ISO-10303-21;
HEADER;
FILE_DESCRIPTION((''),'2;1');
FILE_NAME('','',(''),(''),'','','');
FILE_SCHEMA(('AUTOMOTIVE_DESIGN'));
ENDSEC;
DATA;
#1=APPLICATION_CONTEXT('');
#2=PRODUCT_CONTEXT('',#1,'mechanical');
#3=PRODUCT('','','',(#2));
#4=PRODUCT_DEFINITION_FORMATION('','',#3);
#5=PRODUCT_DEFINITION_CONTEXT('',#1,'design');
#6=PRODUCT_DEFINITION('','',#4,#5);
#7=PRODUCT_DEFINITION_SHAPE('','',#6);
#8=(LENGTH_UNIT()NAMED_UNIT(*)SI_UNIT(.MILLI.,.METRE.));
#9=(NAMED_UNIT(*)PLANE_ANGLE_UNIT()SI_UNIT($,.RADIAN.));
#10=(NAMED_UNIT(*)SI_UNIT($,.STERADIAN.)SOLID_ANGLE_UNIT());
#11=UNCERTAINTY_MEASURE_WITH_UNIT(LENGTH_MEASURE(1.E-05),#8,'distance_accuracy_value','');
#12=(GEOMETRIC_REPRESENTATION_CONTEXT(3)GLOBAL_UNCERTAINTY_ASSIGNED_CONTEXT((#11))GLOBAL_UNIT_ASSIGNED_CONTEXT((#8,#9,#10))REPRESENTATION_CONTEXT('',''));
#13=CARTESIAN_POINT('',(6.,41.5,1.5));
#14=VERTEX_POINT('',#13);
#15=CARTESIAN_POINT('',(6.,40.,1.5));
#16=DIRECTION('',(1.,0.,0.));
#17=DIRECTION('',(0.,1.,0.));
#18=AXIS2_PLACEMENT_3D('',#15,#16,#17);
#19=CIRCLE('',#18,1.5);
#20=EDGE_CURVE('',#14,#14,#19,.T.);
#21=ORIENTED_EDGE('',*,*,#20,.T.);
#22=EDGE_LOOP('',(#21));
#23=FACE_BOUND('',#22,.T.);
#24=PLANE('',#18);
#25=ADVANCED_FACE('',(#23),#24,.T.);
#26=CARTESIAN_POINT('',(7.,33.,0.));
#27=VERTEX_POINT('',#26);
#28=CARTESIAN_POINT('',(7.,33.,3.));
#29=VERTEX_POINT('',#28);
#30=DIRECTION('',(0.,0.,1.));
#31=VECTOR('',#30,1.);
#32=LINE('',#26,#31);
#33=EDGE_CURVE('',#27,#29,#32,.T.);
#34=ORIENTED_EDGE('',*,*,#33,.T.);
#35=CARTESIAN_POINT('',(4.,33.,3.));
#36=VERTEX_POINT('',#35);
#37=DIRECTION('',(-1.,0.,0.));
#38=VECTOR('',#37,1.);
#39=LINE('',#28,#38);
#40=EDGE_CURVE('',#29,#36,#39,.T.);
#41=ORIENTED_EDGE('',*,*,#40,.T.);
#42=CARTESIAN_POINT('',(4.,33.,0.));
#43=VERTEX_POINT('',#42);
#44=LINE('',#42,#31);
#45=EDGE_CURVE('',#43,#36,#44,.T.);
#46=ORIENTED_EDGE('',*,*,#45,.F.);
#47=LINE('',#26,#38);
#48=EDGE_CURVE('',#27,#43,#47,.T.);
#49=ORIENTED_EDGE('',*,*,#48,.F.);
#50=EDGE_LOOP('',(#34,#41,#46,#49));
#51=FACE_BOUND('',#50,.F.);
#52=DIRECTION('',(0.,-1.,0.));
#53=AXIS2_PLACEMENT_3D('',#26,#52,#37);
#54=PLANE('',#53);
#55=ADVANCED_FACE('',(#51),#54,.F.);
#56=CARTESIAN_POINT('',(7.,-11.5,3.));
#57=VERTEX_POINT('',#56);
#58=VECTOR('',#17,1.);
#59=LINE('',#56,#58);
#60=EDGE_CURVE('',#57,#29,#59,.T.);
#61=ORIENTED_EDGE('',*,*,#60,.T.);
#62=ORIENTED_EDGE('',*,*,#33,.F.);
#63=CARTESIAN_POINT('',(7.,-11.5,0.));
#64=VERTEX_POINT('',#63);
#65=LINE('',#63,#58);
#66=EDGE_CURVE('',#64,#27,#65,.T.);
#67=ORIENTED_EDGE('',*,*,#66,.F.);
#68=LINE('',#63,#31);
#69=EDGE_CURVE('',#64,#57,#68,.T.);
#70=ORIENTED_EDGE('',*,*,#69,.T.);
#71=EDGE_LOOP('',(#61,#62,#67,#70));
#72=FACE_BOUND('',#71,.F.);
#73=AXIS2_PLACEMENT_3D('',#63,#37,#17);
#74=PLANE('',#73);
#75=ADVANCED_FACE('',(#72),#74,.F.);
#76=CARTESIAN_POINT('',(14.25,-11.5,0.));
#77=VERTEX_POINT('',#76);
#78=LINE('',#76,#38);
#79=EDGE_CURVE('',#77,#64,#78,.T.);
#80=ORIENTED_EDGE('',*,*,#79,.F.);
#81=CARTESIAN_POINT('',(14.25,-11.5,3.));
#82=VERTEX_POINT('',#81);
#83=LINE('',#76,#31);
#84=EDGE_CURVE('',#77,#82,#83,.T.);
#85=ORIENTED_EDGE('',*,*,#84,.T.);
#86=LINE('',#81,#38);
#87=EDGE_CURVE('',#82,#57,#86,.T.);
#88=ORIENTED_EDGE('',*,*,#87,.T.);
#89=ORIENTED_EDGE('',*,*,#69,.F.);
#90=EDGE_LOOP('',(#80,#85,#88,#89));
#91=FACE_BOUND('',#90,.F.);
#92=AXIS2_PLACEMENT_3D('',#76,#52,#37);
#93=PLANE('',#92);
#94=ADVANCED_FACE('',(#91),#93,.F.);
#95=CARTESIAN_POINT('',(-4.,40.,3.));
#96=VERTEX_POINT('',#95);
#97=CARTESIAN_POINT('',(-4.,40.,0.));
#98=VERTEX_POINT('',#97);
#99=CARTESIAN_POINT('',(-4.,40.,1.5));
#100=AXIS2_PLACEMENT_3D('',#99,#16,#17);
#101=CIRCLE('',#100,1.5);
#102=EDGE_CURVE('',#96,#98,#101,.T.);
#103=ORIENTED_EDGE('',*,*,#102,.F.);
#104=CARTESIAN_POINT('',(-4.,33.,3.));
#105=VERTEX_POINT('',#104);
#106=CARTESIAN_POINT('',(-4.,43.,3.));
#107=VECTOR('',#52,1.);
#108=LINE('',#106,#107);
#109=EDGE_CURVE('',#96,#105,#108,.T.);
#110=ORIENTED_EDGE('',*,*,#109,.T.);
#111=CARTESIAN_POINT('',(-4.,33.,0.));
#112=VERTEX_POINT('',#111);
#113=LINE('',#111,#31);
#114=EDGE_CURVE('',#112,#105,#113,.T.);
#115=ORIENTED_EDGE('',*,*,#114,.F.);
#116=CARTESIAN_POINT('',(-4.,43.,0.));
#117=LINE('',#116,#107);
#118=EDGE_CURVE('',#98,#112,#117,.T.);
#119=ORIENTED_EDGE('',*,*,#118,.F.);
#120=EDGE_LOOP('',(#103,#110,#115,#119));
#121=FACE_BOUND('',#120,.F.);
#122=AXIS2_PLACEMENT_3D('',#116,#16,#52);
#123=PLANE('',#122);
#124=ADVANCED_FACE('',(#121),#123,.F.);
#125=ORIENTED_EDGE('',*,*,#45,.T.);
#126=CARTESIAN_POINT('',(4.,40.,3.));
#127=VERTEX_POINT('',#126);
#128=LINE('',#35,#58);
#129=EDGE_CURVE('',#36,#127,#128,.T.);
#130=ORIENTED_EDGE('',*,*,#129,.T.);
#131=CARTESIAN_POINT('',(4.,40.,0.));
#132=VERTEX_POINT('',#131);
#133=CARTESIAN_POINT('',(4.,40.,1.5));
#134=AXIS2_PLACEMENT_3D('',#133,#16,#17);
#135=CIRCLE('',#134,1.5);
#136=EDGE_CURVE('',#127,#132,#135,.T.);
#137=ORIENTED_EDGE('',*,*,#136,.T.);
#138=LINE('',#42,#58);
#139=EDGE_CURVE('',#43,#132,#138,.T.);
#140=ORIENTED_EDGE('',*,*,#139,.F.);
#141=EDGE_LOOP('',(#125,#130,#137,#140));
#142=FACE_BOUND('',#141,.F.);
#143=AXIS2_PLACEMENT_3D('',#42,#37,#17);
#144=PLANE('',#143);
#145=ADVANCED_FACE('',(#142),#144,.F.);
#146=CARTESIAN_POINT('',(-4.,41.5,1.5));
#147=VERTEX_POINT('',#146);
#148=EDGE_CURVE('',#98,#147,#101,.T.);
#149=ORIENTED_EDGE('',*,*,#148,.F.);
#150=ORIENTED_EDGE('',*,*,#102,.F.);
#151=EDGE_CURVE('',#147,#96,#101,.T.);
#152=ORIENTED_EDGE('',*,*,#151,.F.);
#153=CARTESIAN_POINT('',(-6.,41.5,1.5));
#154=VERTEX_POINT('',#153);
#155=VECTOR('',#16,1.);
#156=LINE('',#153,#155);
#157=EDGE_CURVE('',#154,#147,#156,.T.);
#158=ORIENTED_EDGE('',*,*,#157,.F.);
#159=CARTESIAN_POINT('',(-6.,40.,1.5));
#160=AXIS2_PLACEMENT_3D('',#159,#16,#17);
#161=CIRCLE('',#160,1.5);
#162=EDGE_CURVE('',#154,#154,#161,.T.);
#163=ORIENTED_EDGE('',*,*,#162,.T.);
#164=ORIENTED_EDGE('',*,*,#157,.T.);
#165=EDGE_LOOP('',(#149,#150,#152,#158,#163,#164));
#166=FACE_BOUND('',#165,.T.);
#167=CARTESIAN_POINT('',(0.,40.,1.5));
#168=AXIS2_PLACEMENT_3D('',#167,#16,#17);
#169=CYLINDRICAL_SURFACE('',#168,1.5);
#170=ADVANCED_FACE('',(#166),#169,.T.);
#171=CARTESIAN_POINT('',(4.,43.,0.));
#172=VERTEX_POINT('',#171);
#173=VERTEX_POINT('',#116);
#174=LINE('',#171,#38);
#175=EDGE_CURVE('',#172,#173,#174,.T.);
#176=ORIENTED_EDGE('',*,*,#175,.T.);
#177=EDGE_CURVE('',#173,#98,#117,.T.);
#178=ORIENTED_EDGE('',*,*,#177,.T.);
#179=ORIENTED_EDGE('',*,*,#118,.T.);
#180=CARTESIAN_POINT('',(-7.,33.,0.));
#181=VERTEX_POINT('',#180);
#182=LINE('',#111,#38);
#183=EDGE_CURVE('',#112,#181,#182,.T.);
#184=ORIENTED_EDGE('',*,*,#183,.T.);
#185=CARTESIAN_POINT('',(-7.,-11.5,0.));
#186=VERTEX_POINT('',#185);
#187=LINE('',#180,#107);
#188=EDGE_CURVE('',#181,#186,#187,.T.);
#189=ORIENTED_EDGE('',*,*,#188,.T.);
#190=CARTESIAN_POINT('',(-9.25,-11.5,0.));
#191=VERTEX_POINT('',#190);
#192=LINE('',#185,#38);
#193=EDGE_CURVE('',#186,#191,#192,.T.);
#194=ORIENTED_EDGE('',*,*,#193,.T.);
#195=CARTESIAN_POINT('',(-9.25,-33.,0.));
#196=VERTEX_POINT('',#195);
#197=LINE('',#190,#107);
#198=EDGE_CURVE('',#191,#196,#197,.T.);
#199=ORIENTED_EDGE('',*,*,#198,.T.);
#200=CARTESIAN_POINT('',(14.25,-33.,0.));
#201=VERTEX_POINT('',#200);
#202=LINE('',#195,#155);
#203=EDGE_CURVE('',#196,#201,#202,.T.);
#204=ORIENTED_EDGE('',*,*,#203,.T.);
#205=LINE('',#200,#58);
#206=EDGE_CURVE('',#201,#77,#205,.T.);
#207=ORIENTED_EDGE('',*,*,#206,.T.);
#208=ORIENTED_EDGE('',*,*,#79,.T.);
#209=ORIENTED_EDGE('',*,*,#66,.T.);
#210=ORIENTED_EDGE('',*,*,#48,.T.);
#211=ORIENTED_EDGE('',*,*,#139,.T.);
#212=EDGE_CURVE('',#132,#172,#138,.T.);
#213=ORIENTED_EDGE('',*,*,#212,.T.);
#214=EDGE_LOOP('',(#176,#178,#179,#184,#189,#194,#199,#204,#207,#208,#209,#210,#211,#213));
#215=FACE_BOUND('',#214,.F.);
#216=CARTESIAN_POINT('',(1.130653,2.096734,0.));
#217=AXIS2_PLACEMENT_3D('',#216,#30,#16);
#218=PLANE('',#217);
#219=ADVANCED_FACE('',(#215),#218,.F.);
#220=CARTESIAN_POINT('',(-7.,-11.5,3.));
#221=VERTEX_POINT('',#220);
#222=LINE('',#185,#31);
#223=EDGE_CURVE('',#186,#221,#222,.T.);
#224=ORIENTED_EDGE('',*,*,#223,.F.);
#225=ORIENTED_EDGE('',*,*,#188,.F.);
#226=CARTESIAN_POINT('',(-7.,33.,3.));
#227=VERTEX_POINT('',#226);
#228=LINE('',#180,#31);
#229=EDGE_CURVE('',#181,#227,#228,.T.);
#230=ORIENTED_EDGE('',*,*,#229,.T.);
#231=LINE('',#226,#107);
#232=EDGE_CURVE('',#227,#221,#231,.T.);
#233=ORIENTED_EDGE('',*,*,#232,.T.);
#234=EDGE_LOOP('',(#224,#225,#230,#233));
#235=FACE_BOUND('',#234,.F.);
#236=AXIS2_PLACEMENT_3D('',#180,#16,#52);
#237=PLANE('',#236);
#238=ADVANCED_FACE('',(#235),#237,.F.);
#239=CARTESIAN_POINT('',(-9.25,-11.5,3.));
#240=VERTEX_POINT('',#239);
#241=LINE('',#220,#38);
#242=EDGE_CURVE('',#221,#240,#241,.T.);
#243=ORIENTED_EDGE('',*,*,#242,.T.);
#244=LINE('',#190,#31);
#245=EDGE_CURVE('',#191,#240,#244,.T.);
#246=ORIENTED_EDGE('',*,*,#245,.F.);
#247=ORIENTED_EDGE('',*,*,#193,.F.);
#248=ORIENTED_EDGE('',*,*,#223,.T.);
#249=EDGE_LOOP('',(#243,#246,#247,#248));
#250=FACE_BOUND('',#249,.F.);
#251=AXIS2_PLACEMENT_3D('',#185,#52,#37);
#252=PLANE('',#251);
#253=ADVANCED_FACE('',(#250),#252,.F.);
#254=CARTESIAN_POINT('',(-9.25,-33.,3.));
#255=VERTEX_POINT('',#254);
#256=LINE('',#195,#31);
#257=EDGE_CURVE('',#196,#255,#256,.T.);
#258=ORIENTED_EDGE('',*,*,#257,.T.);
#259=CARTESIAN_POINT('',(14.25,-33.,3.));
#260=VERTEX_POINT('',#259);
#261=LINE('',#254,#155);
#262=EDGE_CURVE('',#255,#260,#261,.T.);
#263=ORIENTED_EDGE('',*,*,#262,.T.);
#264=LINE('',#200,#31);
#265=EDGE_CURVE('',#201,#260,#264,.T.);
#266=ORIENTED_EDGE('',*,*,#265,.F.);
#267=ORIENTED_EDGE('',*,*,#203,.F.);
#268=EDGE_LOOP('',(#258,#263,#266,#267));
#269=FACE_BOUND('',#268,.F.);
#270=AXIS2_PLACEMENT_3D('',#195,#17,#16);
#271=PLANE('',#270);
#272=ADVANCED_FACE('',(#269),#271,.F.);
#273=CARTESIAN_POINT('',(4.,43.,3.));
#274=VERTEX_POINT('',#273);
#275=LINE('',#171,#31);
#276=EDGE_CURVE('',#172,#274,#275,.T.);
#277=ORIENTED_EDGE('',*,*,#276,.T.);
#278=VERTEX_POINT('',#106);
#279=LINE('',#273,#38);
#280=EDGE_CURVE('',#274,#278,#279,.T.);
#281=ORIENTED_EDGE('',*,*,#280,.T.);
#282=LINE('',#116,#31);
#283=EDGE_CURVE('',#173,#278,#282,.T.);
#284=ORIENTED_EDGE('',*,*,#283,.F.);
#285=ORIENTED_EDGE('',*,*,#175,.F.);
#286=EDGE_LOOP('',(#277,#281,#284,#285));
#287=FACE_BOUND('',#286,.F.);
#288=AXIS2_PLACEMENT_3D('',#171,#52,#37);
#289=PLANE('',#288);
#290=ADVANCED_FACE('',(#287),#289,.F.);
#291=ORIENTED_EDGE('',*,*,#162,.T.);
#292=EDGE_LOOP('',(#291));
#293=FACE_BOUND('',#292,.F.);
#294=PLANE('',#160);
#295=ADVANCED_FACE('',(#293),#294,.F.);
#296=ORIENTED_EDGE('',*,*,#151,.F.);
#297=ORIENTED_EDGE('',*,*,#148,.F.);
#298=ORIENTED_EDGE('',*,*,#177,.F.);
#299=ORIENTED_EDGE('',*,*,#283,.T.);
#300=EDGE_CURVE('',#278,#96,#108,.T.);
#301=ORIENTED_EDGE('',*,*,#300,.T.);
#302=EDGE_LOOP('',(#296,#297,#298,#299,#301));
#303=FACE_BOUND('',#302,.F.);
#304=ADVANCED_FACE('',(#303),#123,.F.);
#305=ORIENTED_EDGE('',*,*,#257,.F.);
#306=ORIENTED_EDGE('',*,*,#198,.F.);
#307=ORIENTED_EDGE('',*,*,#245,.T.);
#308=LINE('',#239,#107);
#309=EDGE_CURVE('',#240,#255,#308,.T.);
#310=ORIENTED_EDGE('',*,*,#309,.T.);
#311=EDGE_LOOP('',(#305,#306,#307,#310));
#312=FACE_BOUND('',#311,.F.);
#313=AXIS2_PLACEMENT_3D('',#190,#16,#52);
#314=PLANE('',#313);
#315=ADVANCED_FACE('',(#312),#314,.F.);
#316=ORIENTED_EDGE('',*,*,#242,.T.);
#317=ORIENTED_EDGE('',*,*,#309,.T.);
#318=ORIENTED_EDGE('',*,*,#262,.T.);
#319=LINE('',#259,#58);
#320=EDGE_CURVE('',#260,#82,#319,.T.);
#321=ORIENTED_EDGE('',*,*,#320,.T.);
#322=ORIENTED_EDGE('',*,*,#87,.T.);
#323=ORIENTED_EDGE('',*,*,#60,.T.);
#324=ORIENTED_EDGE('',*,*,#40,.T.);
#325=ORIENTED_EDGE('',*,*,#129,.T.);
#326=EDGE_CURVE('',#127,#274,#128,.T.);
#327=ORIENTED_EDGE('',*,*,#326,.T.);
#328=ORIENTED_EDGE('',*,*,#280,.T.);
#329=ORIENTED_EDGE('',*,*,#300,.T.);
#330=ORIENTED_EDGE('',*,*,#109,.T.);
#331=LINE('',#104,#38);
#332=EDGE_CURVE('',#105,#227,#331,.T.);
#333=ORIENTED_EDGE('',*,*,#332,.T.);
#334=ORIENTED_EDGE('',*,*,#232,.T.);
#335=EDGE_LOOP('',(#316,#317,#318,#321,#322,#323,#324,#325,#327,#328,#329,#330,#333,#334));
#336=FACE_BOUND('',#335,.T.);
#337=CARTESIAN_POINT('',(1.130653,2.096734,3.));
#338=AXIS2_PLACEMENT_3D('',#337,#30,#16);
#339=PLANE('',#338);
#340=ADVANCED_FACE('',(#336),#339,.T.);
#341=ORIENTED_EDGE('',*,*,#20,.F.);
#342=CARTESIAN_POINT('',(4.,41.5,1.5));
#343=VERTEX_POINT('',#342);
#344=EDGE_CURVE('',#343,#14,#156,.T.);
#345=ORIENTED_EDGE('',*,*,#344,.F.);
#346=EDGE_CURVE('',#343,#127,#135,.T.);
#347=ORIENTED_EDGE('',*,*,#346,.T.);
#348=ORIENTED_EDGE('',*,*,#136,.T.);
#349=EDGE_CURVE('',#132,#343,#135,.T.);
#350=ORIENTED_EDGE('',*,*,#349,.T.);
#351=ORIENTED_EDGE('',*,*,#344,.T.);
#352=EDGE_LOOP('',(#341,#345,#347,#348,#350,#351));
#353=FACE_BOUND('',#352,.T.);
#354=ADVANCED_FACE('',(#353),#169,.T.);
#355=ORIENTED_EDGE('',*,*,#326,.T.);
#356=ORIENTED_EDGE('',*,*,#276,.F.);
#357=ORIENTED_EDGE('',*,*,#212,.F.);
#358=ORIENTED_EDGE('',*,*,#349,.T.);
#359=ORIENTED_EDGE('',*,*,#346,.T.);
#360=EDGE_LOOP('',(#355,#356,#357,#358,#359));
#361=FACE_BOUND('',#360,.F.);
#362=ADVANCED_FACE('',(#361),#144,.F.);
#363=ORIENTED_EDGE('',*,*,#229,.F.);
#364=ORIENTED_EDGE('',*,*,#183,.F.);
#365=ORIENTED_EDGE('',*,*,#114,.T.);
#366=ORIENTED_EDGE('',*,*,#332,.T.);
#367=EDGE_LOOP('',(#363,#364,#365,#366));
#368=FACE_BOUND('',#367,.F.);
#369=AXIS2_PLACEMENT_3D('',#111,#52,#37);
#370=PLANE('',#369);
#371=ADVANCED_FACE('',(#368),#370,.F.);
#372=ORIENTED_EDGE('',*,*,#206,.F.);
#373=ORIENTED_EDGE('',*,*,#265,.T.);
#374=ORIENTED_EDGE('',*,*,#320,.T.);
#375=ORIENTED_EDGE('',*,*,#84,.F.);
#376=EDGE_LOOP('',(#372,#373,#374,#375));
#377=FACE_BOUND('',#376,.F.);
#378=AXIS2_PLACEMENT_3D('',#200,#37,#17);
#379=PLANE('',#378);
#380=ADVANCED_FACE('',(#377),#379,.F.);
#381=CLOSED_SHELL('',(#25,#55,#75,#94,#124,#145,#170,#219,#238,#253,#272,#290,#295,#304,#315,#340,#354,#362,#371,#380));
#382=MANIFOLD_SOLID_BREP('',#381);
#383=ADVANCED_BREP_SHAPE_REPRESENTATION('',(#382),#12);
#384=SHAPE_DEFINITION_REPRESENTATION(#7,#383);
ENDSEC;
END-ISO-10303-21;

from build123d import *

# Parameters (mm, degrees)
PAD_DEPTH    = 3
SKETCH001_R  = 1.5
PAD001_DEPTH = 6


with BuildPart() as part:
    # Sketch → Pad (new body)
    with BuildSketch(Plane.XY):
        Polygon((-9.25, -33), (14.25, -33), (14.25, -11.5), (7, -11.5), (7, 33), (4, 33), (4, 43), (-4, 43), (-4, 33), (-7, 33), (-7, -11.5), (-9.25, -11.5), align=None)
    extrude(amount=PAD_DEPTH)

    # Sketch001 → Pad001 (join, symmetric)
    with BuildSketch(Plane.YZ):
        with Locations((40, 1.5)):
            Circle(SKETCH001_R)
    extrude(amount=PAD001_DEPTH, both=True)


solid = part.part
